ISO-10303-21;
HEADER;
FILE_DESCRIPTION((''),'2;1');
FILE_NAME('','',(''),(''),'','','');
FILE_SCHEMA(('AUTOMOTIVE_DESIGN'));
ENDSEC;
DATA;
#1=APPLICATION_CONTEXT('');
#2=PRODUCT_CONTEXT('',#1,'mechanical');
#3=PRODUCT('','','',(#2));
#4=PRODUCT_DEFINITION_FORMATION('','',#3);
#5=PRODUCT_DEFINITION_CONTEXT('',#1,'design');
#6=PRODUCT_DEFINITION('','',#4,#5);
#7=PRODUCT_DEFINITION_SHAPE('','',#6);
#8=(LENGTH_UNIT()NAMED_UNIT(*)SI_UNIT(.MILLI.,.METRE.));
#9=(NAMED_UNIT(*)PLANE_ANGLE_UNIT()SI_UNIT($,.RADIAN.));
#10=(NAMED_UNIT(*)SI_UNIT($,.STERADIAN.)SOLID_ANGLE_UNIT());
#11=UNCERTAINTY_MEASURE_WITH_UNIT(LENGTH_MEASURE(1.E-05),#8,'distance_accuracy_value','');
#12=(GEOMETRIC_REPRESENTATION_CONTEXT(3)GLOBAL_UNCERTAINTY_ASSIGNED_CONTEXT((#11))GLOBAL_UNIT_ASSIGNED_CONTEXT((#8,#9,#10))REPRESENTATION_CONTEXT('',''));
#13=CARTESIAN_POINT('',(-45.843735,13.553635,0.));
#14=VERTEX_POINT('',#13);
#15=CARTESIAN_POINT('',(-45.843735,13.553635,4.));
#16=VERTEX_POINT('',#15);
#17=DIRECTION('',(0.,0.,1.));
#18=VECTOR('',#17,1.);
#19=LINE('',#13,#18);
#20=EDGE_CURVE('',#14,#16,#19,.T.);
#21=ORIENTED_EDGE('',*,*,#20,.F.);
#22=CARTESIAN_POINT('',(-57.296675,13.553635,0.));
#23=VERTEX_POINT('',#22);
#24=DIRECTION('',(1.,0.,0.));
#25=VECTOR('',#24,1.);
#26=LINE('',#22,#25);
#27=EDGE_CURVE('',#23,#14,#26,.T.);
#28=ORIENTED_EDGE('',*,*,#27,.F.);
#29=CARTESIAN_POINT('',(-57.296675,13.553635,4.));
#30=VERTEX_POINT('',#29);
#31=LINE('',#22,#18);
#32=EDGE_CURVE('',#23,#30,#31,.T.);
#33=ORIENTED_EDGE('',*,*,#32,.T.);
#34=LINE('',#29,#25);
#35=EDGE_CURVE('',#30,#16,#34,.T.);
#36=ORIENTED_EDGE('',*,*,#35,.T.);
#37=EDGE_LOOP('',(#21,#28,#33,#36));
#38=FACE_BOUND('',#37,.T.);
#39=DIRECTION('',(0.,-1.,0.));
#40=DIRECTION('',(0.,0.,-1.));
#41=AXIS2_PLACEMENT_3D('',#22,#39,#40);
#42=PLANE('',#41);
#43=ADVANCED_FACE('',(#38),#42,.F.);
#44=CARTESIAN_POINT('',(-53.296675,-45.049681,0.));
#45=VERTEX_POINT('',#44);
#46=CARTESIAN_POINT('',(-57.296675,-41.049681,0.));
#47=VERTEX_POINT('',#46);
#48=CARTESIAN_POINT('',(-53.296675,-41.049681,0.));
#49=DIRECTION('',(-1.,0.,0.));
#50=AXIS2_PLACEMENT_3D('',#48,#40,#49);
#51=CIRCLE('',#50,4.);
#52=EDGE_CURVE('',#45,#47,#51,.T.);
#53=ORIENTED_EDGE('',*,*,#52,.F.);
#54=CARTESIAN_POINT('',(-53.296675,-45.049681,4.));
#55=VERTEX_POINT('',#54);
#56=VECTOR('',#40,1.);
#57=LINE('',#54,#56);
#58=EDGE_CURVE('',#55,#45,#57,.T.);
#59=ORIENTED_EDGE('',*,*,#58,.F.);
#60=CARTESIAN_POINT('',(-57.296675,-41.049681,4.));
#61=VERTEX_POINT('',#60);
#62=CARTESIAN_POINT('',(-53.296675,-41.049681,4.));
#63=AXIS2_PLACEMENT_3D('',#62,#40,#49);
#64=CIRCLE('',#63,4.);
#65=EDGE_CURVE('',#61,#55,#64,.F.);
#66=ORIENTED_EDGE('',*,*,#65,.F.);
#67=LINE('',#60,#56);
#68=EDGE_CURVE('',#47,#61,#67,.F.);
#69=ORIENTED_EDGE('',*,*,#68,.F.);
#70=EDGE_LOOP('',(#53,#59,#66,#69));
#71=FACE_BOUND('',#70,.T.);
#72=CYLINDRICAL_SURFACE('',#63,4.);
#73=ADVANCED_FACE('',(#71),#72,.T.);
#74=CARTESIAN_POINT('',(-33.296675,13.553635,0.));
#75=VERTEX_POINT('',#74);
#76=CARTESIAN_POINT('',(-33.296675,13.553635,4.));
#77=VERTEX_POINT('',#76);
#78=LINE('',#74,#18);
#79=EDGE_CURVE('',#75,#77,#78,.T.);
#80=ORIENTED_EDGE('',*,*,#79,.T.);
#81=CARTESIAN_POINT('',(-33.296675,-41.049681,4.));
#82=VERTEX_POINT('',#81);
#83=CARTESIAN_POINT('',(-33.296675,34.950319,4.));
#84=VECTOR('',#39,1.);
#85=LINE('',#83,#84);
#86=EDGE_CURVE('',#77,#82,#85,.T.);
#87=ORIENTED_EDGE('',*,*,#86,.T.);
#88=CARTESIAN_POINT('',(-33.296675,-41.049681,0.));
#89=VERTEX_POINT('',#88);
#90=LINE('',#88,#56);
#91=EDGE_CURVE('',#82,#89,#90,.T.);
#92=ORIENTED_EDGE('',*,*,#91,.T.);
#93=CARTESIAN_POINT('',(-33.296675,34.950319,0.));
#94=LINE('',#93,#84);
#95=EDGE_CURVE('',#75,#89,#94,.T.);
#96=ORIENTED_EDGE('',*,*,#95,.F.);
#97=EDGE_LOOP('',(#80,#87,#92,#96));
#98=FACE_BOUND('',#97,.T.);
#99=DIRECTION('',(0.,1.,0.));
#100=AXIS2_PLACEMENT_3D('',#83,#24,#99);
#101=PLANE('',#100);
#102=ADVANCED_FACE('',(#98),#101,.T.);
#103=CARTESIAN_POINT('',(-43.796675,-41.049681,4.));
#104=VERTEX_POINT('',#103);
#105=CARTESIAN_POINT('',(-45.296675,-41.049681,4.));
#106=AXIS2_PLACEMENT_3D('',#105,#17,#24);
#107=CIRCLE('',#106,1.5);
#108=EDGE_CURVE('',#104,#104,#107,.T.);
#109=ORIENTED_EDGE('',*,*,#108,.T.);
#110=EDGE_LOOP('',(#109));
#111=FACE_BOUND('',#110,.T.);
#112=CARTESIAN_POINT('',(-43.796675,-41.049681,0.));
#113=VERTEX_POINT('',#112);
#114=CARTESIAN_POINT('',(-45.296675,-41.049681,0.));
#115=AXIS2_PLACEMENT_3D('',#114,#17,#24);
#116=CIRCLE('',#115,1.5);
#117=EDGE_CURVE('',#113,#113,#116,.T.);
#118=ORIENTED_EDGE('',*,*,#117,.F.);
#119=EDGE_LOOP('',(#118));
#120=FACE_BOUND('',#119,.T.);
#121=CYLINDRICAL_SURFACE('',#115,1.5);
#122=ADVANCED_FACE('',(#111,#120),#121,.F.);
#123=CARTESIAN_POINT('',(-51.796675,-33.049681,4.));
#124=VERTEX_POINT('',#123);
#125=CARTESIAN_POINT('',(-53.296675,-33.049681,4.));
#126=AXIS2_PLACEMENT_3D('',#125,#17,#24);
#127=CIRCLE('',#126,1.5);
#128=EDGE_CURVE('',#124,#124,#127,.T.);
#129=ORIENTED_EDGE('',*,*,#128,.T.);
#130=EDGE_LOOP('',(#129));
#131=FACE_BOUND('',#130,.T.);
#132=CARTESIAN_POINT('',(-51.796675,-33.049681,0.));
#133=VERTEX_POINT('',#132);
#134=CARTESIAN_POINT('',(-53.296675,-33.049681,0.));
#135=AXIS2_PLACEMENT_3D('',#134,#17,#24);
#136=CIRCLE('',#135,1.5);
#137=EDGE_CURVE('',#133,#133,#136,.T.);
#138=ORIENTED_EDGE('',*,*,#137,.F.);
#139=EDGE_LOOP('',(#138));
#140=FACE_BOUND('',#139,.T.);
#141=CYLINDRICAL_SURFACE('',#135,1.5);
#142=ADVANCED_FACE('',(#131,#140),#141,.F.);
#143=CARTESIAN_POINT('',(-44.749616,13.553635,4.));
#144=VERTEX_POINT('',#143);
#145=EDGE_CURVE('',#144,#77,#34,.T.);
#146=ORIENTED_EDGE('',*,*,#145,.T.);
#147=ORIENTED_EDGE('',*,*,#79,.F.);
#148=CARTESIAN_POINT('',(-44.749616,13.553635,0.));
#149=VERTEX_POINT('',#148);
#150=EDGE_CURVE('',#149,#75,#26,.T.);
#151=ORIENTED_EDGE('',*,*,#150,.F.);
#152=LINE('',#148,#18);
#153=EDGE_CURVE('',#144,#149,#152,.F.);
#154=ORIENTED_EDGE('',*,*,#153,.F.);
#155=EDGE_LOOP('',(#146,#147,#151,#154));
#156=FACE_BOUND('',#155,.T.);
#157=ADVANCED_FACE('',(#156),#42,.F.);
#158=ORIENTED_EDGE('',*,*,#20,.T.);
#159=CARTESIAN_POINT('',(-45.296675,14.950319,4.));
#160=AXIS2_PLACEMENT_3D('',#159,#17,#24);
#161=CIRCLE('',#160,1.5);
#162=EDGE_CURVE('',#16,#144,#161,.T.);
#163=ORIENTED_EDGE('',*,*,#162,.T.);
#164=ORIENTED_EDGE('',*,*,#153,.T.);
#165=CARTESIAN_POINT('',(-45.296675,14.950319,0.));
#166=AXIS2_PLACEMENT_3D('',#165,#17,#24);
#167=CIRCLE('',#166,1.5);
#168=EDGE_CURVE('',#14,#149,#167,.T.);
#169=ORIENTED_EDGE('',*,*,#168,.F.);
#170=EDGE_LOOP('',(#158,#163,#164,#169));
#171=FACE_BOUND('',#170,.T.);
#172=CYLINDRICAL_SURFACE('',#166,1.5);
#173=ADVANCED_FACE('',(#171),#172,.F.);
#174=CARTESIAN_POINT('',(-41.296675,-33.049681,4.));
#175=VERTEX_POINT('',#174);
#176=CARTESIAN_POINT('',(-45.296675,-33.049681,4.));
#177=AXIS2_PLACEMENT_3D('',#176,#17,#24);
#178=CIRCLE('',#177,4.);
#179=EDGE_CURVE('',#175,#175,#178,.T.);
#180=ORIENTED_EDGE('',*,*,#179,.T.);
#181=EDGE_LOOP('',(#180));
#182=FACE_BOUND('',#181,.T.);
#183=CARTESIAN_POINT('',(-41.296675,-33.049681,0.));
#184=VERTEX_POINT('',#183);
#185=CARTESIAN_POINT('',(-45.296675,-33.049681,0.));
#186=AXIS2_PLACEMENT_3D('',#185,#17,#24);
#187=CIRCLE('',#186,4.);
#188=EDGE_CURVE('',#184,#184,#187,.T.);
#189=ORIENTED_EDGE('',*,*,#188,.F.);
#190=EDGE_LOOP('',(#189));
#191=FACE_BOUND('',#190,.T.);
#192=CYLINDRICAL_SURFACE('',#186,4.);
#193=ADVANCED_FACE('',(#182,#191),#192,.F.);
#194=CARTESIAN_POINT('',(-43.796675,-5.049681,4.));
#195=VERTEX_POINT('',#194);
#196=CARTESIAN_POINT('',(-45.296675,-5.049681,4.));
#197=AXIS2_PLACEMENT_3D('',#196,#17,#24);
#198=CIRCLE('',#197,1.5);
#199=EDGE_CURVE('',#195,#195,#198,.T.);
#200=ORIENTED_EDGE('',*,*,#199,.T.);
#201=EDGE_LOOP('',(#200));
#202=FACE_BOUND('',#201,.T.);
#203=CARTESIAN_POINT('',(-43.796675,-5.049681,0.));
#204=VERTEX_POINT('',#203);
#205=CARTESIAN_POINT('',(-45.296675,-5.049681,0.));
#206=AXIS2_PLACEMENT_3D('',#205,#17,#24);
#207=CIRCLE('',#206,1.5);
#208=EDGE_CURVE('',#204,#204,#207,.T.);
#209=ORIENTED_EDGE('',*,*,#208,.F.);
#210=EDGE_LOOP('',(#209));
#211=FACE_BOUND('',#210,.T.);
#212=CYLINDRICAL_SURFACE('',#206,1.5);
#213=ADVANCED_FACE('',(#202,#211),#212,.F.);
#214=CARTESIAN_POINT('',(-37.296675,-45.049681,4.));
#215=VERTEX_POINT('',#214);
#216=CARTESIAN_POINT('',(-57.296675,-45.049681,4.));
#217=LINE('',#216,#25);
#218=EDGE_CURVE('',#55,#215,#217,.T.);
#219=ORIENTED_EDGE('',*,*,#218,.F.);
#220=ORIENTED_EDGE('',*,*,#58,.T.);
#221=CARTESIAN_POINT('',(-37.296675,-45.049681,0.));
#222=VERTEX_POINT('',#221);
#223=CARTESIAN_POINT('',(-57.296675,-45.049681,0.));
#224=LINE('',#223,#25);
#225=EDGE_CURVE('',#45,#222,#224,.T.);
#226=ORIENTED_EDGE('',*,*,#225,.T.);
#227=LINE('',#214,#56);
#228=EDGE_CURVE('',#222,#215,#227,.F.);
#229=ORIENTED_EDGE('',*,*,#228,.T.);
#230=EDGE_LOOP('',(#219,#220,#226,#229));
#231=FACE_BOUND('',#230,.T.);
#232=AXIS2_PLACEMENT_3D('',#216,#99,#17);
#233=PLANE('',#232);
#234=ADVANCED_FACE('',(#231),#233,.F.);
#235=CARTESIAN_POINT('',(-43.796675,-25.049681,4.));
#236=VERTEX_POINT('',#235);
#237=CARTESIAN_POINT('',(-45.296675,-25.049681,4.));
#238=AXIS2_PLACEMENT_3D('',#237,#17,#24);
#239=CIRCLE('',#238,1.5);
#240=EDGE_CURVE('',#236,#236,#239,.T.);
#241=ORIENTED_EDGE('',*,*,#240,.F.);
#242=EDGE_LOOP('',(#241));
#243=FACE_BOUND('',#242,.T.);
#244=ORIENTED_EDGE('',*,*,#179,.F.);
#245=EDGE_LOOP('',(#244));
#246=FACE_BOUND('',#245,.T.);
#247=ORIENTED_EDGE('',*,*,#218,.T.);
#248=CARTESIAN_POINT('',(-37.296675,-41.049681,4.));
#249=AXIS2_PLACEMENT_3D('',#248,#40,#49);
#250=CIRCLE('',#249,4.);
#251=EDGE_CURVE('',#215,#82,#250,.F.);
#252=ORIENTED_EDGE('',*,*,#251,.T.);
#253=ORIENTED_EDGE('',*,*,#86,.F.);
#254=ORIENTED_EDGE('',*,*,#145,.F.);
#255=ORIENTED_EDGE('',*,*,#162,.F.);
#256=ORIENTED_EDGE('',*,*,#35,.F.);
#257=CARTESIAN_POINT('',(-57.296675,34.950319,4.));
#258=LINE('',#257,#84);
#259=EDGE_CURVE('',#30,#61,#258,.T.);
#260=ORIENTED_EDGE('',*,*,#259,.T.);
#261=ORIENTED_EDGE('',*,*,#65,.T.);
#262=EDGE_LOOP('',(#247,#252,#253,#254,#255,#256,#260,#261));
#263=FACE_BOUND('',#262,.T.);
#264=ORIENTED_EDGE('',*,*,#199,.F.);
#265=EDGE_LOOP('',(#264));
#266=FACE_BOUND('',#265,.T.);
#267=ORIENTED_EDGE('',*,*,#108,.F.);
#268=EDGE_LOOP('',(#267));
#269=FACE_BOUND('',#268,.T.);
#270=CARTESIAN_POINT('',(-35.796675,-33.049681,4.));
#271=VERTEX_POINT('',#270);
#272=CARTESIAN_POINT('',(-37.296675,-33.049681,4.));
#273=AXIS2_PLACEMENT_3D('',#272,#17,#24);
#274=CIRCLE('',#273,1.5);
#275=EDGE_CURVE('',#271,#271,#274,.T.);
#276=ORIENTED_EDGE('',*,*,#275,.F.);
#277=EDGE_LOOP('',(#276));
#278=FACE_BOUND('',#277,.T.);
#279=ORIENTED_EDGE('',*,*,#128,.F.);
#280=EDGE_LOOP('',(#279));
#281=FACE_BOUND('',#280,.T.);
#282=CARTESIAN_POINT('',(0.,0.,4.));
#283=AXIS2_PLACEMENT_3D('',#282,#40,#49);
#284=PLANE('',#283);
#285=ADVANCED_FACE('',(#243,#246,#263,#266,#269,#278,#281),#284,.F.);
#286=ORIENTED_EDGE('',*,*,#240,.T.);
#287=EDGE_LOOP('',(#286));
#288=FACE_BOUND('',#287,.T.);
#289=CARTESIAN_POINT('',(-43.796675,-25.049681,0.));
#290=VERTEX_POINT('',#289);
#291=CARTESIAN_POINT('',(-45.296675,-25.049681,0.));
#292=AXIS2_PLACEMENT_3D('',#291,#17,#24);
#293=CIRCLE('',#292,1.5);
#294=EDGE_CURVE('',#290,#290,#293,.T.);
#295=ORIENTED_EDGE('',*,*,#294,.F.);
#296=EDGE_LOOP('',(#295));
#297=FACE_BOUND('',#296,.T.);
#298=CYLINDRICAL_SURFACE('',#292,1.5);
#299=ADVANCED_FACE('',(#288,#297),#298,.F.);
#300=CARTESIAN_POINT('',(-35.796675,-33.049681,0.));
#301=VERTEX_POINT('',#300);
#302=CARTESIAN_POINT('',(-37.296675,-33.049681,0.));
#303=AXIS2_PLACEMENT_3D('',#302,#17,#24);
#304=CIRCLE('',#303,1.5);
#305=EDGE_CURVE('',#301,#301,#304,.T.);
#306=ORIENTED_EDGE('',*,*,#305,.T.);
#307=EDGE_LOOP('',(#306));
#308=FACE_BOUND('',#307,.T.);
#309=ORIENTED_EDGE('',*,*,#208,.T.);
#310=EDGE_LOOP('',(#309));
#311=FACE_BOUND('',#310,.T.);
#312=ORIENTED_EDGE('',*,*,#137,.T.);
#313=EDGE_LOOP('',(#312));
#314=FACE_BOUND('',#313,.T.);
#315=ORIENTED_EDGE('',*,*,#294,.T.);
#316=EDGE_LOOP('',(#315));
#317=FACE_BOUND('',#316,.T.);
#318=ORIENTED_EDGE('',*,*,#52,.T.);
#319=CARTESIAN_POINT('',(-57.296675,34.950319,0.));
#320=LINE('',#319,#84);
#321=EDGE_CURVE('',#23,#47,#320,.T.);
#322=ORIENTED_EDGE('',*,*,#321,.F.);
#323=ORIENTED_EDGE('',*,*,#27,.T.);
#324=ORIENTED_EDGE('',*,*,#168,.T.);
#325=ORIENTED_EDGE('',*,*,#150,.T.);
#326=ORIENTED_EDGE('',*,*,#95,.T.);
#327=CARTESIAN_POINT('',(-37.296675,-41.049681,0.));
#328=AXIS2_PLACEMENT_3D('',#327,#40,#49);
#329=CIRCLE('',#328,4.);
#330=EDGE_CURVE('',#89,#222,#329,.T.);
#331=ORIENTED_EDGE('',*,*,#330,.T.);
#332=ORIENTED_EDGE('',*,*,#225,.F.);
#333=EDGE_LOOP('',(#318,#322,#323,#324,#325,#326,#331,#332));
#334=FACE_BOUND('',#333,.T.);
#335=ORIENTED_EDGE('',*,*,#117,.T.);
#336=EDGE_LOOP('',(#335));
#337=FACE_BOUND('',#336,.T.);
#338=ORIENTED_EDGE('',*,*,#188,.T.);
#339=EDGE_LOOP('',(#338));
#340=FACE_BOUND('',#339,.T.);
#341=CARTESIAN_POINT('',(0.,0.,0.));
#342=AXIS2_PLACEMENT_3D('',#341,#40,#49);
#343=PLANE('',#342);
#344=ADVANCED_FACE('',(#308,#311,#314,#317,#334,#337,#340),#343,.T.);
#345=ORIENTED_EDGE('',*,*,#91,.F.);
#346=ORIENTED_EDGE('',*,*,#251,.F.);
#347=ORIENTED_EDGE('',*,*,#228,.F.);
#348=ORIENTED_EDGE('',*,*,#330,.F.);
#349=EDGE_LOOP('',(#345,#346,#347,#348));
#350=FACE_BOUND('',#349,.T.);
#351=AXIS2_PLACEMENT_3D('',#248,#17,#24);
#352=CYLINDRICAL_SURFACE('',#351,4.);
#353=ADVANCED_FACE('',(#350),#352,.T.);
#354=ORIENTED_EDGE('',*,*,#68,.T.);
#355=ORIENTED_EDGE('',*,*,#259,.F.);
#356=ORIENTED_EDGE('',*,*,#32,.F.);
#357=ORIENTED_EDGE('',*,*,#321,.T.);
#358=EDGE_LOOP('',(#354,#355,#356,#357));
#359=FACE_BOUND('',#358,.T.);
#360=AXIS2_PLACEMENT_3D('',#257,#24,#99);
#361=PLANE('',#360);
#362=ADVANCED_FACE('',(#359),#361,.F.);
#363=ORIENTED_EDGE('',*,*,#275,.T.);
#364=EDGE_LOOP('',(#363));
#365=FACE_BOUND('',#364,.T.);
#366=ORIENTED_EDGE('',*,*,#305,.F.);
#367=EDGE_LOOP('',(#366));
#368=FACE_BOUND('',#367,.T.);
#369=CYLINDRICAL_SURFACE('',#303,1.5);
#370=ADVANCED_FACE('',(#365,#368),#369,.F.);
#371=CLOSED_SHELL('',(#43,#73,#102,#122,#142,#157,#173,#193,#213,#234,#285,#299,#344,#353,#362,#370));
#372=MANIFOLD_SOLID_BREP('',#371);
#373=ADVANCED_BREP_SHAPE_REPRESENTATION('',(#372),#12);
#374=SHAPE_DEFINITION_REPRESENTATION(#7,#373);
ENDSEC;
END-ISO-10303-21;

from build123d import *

# Parameters (mm, degrees)
SKETCH1_W           = 24
SKETCH1_H           = 80
BOSS_EXTRUDE1_DEPTH = 4
SKETCH2_R           = 4
SKETCH2_R_2         = 1.5
CUT_EXTRUDE1_DEPTH  = 4
FILLET1_R           = 4
SKETCH3_R           = 1.5
CUT_EXTRUDE2_DEPTH  = 4
SKETCH4_W           = 24
SKETCH4_H           = 21.396683756
CUT_EXTRUDE3_DEPTH  = 4


with BuildPart() as part:
    # Sketch1 → Boss-Extrude1 (new body)
    with BuildSketch(Plane.XY):
        with Locations((-45.296675466, -5.049681021)):
            Rectangle(SKETCH1_W, SKETCH1_H)
    extrude(amount=BOSS_EXTRUDE1_DEPTH)

    # Sketch2 → Cut-Extrude1 (cut)
    with BuildSketch(Plane.XY.offset(4)):
        with Locations((-45.296675466, -33.049681021)):
            Circle(SKETCH2_R)
        with Locations((-37.296675466, -33.049681021)):
            Circle(SKETCH2_R_2)
        with Locations((-45.296675466, -41.049681021)):
            Circle(SKETCH2_R_2)
        with Locations((-53.296675466, -33.049681021)):
            Circle(SKETCH2_R_2)
        with Locations((-45.296675466, -25.049681021)):
            Circle(SKETCH2_R_2)
        with Locations((-45.296675466, 30.950318979)):
            Circle(SKETCH2_R_2)
        with Locations((-37.296675466, 22.950318979)):
            Circle(SKETCH2_R_2)
        with Locations((-45.296675466, 14.950318979)):
            Circle(SKETCH2_R_2)
        with Locations((-53.296675466, 22.950318979)):
            Circle(SKETCH2_R_2)
        with Locations((-45.296675466, 22.950318979)):
            Circle(SKETCH2_R)
    extrude(amount=-CUT_EXTRUDE1_DEPTH, mode=Mode.SUBTRACT)

    # Fillet1
    fillet1_edges = [part.edges().sort_by_distance(p)[0] for p in [
        (-57.296675466, 34.950318979, 2),
        (-57.296675466, -45.049681021, 2),
        (-33.296675466, -45.049681021, 2),
        (-33.296675466, 34.950318979, 2),
    ]]
    fillet(fillet1_edges, radius=FILLET1_R)

    # Sketch3 → Cut-Extrude2 (cut)
    with BuildSketch(Plane.XY.offset(4)):
        with Locations((-45.296675466, -5.049681021)):
            Circle(SKETCH3_R)
    extrude(amount=-CUT_EXTRUDE2_DEPTH, mode=Mode.SUBTRACT)

    # Sketch4 → Cut-Extrude3 (cut)
    with BuildSketch(Plane.XY.offset(4)):
        with Locations((-45.296675466, 24.251977101)):
            Rectangle(SKETCH4_W, SKETCH4_H)
    extrude(amount=-CUT_EXTRUDE3_DEPTH, mode=Mode.SUBTRACT)


solid = part.part
